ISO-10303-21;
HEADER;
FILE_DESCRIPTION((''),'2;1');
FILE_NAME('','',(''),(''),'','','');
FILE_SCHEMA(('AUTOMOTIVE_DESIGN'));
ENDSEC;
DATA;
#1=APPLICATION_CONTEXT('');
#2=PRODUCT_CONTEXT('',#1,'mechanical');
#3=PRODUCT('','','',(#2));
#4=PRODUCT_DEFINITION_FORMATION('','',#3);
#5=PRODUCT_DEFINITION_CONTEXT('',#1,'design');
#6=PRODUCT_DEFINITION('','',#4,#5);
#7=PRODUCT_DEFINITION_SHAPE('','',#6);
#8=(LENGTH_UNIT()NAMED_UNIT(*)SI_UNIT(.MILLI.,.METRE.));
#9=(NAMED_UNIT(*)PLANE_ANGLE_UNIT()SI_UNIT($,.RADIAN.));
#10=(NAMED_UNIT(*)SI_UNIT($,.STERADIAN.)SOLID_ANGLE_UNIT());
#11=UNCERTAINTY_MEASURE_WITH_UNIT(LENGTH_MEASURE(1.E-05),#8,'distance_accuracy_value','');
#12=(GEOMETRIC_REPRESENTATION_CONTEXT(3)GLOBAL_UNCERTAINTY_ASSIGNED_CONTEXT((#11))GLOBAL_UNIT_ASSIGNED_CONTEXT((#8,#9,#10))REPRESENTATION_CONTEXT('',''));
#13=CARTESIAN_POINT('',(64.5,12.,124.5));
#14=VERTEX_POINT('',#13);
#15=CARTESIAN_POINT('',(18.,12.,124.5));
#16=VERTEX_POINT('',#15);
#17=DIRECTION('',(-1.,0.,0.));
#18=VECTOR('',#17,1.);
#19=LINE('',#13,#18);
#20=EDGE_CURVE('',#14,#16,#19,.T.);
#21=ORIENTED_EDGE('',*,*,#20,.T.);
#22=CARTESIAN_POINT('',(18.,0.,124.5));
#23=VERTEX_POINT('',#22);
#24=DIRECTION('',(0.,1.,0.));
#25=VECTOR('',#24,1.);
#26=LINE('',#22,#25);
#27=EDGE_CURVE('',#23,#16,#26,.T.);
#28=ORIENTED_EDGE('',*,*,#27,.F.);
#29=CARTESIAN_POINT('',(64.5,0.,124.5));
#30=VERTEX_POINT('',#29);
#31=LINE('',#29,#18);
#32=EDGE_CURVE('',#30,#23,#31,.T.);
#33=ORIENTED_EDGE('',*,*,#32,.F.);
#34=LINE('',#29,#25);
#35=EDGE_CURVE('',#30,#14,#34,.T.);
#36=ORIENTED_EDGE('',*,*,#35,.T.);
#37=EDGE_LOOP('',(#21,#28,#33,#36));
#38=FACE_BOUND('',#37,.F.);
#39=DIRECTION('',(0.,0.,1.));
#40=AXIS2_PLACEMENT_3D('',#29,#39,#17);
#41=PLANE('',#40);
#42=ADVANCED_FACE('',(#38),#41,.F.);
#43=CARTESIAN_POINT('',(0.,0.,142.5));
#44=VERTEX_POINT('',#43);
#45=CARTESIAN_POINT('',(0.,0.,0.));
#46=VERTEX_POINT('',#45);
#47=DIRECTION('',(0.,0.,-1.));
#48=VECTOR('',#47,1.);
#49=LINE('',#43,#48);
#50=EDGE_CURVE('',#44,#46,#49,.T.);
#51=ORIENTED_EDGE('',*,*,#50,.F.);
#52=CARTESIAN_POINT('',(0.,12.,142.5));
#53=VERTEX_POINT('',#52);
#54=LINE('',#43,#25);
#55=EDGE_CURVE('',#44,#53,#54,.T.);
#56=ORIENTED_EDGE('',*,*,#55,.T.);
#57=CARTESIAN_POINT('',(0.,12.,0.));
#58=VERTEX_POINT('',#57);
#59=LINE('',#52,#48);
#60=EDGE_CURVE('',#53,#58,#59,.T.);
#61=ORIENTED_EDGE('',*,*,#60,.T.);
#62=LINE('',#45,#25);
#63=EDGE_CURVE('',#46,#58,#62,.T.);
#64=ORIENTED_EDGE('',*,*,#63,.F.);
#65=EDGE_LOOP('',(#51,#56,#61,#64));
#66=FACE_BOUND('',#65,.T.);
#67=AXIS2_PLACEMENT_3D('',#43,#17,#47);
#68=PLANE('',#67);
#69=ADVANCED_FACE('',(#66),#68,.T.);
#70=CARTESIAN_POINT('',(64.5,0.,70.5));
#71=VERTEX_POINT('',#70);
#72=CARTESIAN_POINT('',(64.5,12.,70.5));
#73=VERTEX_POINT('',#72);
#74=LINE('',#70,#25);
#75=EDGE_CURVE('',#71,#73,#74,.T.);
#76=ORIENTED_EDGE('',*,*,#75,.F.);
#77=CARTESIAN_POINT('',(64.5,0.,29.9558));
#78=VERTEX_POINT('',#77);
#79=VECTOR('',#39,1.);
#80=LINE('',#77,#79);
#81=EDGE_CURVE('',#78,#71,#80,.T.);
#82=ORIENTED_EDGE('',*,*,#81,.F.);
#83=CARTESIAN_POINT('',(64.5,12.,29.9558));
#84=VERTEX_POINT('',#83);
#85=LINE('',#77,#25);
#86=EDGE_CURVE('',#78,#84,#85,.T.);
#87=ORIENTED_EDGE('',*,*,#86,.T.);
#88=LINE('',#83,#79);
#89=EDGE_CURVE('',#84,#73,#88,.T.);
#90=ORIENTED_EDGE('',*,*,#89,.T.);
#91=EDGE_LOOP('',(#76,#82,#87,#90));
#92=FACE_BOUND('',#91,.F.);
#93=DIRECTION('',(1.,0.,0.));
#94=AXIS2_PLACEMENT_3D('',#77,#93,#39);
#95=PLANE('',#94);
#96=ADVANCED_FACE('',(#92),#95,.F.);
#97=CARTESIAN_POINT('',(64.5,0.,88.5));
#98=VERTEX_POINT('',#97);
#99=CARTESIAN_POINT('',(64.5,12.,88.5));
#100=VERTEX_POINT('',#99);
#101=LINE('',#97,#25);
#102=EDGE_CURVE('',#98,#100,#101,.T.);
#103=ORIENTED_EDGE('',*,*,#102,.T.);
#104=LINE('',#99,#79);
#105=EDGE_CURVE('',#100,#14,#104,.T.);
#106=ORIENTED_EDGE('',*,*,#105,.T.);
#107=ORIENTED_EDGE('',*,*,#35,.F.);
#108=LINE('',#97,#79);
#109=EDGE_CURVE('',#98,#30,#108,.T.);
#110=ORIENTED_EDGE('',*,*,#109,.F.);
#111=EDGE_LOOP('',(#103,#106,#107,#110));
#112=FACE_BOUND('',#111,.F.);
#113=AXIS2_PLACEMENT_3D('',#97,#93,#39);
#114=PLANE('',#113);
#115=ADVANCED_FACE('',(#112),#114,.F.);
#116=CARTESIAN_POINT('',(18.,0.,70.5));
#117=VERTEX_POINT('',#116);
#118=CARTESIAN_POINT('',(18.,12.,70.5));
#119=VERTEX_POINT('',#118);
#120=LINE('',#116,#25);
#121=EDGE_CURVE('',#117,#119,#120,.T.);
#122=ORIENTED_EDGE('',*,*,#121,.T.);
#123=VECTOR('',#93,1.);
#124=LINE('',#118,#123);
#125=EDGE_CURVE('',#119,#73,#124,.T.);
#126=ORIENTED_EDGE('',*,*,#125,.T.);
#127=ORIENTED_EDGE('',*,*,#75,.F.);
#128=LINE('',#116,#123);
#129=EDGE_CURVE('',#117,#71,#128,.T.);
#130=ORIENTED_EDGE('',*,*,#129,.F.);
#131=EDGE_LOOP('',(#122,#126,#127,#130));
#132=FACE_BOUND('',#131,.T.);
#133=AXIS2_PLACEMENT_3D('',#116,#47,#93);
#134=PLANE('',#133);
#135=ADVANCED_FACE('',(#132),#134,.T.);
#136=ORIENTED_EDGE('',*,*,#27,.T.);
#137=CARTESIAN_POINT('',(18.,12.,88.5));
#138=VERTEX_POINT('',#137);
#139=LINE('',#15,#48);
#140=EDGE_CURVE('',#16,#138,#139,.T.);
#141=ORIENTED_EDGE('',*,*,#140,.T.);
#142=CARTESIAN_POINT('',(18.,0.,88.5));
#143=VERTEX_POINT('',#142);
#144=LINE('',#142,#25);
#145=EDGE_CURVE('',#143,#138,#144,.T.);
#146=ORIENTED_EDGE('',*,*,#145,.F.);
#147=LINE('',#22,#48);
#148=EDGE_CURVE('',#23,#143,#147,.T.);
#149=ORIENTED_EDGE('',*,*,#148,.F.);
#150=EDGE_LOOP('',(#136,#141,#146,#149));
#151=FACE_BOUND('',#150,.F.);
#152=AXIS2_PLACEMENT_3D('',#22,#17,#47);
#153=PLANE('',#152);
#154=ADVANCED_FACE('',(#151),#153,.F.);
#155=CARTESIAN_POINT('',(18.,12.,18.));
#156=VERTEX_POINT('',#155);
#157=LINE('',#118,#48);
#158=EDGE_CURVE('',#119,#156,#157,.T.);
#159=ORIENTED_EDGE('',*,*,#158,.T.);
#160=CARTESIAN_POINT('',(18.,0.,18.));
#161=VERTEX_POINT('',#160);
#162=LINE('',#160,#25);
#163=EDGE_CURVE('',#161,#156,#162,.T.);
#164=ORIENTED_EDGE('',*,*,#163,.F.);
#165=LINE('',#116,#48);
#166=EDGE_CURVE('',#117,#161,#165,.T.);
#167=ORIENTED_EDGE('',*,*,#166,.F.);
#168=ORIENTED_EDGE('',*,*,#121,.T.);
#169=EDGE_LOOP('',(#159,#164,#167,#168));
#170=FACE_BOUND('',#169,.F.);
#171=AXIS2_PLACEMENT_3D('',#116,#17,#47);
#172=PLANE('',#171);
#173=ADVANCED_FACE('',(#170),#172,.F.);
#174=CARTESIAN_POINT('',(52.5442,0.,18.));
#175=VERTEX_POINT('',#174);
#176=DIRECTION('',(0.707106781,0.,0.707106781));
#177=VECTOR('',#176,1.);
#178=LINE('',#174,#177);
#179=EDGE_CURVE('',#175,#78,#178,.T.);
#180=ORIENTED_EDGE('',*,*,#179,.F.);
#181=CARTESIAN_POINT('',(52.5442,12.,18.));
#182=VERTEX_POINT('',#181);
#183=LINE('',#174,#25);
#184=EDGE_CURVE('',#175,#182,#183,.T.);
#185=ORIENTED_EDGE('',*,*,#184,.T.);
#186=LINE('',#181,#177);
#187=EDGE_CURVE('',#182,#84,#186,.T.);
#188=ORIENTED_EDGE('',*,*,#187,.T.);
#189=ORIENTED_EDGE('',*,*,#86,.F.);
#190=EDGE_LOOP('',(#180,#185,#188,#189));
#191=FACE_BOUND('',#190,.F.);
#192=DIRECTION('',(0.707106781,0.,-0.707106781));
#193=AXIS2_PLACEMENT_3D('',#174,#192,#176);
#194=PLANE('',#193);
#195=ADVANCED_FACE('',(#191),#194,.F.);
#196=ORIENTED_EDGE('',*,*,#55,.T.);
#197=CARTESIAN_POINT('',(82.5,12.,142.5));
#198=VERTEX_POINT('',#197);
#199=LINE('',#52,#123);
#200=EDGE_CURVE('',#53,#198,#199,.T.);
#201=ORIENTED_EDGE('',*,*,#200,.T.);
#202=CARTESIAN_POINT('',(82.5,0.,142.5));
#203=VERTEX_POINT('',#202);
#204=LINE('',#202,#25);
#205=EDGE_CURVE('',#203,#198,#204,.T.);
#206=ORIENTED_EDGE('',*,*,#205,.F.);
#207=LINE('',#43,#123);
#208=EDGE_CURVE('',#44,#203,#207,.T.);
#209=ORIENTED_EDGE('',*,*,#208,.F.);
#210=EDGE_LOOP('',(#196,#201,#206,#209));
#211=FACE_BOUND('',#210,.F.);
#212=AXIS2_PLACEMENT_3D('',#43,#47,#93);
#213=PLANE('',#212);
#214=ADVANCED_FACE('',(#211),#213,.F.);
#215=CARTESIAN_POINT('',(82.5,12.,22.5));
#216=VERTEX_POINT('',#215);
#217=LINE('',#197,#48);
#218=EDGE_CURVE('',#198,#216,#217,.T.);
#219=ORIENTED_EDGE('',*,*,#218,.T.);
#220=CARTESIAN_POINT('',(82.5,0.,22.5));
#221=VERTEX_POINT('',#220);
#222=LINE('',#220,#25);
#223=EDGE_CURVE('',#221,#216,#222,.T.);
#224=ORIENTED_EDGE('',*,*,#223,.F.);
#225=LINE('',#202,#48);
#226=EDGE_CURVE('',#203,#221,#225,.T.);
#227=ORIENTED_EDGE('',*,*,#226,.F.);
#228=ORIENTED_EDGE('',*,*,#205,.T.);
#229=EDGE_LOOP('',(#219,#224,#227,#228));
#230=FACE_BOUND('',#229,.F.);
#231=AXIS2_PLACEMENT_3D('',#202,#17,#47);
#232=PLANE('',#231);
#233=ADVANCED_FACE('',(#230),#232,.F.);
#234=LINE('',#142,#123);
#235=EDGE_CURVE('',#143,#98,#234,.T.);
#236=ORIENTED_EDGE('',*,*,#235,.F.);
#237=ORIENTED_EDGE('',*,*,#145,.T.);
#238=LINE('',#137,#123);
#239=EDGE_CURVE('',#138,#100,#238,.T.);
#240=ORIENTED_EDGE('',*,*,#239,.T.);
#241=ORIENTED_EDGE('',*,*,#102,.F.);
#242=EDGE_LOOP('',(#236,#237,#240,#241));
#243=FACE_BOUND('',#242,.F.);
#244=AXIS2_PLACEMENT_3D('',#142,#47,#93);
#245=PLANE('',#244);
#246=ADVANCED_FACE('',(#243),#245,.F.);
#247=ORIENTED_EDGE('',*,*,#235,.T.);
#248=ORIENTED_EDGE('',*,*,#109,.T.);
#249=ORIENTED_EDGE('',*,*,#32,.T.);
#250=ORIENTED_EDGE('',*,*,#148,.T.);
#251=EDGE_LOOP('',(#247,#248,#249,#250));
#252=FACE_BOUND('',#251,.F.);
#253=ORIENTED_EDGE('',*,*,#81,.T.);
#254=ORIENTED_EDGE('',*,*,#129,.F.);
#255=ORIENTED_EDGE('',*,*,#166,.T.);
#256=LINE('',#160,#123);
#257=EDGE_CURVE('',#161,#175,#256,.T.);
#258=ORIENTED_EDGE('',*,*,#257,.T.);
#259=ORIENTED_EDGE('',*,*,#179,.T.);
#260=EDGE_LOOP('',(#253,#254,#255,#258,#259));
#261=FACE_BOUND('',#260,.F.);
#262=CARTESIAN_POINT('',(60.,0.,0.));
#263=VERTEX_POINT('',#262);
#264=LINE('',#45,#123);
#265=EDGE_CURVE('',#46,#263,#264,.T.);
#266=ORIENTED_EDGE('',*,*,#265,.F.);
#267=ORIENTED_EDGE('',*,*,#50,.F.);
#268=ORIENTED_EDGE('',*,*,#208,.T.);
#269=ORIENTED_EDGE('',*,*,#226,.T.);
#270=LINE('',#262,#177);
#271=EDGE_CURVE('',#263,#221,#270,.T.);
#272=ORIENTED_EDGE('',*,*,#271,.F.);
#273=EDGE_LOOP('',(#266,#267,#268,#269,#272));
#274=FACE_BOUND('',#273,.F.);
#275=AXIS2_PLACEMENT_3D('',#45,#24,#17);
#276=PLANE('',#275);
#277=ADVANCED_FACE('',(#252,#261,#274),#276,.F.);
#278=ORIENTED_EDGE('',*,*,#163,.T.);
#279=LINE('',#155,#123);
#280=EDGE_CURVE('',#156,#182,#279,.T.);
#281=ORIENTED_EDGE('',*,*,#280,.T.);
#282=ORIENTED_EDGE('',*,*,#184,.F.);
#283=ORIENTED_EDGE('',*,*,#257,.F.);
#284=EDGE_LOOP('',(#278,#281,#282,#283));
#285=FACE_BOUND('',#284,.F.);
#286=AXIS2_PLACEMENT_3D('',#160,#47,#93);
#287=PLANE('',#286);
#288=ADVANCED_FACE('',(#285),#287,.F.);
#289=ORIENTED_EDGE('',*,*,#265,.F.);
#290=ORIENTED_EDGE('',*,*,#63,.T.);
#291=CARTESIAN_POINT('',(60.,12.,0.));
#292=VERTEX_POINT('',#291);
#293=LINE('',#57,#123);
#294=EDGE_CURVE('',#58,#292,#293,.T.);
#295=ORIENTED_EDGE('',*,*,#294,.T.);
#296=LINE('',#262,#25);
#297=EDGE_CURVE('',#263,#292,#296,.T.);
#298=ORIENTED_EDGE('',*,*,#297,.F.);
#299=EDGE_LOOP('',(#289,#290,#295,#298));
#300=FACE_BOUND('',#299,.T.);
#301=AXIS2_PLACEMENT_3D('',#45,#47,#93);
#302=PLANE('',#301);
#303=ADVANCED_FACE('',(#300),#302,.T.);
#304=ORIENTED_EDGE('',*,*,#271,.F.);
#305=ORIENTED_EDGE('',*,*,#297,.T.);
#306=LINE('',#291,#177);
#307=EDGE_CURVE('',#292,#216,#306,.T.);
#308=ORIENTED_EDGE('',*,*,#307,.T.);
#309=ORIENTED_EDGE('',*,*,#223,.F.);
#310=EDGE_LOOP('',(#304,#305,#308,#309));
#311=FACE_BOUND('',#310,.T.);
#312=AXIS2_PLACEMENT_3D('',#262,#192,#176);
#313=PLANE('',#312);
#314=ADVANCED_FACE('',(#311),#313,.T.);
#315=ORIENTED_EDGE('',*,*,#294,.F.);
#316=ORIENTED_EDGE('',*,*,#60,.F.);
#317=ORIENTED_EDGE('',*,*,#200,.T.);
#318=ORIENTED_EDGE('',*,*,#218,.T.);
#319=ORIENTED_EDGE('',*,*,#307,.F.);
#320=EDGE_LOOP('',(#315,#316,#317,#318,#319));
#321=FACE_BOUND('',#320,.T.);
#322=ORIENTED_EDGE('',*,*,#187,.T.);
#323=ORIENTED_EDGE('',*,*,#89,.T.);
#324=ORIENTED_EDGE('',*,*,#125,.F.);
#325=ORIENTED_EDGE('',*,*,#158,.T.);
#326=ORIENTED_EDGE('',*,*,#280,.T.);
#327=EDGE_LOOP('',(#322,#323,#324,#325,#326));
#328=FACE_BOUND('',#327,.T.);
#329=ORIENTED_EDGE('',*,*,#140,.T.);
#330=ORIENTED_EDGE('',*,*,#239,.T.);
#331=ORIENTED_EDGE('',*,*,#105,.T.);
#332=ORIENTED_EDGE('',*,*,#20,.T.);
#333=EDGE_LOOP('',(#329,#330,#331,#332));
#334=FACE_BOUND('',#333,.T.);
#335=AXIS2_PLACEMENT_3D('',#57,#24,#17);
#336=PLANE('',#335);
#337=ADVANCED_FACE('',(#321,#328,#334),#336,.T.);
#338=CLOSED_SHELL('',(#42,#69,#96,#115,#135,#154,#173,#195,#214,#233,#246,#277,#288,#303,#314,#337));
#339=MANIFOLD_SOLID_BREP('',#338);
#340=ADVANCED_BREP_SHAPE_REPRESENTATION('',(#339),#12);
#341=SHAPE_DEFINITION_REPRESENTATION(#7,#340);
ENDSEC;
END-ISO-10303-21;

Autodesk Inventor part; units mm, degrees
ref_plane "YZ Plane" through (0, 0, 0) normal (1, 0, 0) x (0, 1, 0)
ref_plane "XZ Plane" through (0, 0, 0) normal (0, 1, 0) x (-1, 0, 0)
ref_plane "XY Plane" through (0, 0, 0) normal (0, 0, 1) x (1, 0, 0)
sketch "Sketch1" plane through (0, 0, 0) normal (0, 1, 0) x (-1, 0, 0)
  line L0 (0, 142.5) -> (0, 0)
  line L1 (0, 142.5) -> (-82.5, 142.5)
  line L2 (0, 0) -> (-60, 0)
  line L3 (-60, 0) -> (-82.5, 22.5)
  line L4 (-82.5, 142.5) -> (-82.5, 22.5)
  line L5 (-18, 18) -> (-52.5442, 18)
  line L6 (-64.5, 124.5) -> (-18, 124.5)
  line L7 (-18, 88.5) -> (-64.5, 88.5)
  line L8 (-18, 70.5) -> (-64.5, 70.5)
  line L9 (-18, 124.5) -> (-18, 88.5)
  line L10 (-18, 70.5) -> (-18, 18)
  line L11 (-64.5, 29.9558) -> (-64.5, 70.5)
  line L12 (-64.5, 88.5) -> (-64.5, 124.5)
  line L13 (-52.5442, 18) -> (-64.5, 29.9558)
  dimension "d1" = 142.5
  dimension "d3" = 82.5
  dimension "d4" = 60
  dimension "d5" = 135
  dimension "d6" = 120
  dimension "d8" = 18
  dimension "d9" = 18
  dimension "d15" = 88.5
  dimension "d16" = 18
  dimension "d17" = 18
  dimension "d18" = 18
  dimension "d19" = 18
  dimension "d20" = 18
  dimension "d21" = 18
extrude "Extrusion2" add sketch "Sketch1" along normal blind 12
properties part number "chassi_back_template"
